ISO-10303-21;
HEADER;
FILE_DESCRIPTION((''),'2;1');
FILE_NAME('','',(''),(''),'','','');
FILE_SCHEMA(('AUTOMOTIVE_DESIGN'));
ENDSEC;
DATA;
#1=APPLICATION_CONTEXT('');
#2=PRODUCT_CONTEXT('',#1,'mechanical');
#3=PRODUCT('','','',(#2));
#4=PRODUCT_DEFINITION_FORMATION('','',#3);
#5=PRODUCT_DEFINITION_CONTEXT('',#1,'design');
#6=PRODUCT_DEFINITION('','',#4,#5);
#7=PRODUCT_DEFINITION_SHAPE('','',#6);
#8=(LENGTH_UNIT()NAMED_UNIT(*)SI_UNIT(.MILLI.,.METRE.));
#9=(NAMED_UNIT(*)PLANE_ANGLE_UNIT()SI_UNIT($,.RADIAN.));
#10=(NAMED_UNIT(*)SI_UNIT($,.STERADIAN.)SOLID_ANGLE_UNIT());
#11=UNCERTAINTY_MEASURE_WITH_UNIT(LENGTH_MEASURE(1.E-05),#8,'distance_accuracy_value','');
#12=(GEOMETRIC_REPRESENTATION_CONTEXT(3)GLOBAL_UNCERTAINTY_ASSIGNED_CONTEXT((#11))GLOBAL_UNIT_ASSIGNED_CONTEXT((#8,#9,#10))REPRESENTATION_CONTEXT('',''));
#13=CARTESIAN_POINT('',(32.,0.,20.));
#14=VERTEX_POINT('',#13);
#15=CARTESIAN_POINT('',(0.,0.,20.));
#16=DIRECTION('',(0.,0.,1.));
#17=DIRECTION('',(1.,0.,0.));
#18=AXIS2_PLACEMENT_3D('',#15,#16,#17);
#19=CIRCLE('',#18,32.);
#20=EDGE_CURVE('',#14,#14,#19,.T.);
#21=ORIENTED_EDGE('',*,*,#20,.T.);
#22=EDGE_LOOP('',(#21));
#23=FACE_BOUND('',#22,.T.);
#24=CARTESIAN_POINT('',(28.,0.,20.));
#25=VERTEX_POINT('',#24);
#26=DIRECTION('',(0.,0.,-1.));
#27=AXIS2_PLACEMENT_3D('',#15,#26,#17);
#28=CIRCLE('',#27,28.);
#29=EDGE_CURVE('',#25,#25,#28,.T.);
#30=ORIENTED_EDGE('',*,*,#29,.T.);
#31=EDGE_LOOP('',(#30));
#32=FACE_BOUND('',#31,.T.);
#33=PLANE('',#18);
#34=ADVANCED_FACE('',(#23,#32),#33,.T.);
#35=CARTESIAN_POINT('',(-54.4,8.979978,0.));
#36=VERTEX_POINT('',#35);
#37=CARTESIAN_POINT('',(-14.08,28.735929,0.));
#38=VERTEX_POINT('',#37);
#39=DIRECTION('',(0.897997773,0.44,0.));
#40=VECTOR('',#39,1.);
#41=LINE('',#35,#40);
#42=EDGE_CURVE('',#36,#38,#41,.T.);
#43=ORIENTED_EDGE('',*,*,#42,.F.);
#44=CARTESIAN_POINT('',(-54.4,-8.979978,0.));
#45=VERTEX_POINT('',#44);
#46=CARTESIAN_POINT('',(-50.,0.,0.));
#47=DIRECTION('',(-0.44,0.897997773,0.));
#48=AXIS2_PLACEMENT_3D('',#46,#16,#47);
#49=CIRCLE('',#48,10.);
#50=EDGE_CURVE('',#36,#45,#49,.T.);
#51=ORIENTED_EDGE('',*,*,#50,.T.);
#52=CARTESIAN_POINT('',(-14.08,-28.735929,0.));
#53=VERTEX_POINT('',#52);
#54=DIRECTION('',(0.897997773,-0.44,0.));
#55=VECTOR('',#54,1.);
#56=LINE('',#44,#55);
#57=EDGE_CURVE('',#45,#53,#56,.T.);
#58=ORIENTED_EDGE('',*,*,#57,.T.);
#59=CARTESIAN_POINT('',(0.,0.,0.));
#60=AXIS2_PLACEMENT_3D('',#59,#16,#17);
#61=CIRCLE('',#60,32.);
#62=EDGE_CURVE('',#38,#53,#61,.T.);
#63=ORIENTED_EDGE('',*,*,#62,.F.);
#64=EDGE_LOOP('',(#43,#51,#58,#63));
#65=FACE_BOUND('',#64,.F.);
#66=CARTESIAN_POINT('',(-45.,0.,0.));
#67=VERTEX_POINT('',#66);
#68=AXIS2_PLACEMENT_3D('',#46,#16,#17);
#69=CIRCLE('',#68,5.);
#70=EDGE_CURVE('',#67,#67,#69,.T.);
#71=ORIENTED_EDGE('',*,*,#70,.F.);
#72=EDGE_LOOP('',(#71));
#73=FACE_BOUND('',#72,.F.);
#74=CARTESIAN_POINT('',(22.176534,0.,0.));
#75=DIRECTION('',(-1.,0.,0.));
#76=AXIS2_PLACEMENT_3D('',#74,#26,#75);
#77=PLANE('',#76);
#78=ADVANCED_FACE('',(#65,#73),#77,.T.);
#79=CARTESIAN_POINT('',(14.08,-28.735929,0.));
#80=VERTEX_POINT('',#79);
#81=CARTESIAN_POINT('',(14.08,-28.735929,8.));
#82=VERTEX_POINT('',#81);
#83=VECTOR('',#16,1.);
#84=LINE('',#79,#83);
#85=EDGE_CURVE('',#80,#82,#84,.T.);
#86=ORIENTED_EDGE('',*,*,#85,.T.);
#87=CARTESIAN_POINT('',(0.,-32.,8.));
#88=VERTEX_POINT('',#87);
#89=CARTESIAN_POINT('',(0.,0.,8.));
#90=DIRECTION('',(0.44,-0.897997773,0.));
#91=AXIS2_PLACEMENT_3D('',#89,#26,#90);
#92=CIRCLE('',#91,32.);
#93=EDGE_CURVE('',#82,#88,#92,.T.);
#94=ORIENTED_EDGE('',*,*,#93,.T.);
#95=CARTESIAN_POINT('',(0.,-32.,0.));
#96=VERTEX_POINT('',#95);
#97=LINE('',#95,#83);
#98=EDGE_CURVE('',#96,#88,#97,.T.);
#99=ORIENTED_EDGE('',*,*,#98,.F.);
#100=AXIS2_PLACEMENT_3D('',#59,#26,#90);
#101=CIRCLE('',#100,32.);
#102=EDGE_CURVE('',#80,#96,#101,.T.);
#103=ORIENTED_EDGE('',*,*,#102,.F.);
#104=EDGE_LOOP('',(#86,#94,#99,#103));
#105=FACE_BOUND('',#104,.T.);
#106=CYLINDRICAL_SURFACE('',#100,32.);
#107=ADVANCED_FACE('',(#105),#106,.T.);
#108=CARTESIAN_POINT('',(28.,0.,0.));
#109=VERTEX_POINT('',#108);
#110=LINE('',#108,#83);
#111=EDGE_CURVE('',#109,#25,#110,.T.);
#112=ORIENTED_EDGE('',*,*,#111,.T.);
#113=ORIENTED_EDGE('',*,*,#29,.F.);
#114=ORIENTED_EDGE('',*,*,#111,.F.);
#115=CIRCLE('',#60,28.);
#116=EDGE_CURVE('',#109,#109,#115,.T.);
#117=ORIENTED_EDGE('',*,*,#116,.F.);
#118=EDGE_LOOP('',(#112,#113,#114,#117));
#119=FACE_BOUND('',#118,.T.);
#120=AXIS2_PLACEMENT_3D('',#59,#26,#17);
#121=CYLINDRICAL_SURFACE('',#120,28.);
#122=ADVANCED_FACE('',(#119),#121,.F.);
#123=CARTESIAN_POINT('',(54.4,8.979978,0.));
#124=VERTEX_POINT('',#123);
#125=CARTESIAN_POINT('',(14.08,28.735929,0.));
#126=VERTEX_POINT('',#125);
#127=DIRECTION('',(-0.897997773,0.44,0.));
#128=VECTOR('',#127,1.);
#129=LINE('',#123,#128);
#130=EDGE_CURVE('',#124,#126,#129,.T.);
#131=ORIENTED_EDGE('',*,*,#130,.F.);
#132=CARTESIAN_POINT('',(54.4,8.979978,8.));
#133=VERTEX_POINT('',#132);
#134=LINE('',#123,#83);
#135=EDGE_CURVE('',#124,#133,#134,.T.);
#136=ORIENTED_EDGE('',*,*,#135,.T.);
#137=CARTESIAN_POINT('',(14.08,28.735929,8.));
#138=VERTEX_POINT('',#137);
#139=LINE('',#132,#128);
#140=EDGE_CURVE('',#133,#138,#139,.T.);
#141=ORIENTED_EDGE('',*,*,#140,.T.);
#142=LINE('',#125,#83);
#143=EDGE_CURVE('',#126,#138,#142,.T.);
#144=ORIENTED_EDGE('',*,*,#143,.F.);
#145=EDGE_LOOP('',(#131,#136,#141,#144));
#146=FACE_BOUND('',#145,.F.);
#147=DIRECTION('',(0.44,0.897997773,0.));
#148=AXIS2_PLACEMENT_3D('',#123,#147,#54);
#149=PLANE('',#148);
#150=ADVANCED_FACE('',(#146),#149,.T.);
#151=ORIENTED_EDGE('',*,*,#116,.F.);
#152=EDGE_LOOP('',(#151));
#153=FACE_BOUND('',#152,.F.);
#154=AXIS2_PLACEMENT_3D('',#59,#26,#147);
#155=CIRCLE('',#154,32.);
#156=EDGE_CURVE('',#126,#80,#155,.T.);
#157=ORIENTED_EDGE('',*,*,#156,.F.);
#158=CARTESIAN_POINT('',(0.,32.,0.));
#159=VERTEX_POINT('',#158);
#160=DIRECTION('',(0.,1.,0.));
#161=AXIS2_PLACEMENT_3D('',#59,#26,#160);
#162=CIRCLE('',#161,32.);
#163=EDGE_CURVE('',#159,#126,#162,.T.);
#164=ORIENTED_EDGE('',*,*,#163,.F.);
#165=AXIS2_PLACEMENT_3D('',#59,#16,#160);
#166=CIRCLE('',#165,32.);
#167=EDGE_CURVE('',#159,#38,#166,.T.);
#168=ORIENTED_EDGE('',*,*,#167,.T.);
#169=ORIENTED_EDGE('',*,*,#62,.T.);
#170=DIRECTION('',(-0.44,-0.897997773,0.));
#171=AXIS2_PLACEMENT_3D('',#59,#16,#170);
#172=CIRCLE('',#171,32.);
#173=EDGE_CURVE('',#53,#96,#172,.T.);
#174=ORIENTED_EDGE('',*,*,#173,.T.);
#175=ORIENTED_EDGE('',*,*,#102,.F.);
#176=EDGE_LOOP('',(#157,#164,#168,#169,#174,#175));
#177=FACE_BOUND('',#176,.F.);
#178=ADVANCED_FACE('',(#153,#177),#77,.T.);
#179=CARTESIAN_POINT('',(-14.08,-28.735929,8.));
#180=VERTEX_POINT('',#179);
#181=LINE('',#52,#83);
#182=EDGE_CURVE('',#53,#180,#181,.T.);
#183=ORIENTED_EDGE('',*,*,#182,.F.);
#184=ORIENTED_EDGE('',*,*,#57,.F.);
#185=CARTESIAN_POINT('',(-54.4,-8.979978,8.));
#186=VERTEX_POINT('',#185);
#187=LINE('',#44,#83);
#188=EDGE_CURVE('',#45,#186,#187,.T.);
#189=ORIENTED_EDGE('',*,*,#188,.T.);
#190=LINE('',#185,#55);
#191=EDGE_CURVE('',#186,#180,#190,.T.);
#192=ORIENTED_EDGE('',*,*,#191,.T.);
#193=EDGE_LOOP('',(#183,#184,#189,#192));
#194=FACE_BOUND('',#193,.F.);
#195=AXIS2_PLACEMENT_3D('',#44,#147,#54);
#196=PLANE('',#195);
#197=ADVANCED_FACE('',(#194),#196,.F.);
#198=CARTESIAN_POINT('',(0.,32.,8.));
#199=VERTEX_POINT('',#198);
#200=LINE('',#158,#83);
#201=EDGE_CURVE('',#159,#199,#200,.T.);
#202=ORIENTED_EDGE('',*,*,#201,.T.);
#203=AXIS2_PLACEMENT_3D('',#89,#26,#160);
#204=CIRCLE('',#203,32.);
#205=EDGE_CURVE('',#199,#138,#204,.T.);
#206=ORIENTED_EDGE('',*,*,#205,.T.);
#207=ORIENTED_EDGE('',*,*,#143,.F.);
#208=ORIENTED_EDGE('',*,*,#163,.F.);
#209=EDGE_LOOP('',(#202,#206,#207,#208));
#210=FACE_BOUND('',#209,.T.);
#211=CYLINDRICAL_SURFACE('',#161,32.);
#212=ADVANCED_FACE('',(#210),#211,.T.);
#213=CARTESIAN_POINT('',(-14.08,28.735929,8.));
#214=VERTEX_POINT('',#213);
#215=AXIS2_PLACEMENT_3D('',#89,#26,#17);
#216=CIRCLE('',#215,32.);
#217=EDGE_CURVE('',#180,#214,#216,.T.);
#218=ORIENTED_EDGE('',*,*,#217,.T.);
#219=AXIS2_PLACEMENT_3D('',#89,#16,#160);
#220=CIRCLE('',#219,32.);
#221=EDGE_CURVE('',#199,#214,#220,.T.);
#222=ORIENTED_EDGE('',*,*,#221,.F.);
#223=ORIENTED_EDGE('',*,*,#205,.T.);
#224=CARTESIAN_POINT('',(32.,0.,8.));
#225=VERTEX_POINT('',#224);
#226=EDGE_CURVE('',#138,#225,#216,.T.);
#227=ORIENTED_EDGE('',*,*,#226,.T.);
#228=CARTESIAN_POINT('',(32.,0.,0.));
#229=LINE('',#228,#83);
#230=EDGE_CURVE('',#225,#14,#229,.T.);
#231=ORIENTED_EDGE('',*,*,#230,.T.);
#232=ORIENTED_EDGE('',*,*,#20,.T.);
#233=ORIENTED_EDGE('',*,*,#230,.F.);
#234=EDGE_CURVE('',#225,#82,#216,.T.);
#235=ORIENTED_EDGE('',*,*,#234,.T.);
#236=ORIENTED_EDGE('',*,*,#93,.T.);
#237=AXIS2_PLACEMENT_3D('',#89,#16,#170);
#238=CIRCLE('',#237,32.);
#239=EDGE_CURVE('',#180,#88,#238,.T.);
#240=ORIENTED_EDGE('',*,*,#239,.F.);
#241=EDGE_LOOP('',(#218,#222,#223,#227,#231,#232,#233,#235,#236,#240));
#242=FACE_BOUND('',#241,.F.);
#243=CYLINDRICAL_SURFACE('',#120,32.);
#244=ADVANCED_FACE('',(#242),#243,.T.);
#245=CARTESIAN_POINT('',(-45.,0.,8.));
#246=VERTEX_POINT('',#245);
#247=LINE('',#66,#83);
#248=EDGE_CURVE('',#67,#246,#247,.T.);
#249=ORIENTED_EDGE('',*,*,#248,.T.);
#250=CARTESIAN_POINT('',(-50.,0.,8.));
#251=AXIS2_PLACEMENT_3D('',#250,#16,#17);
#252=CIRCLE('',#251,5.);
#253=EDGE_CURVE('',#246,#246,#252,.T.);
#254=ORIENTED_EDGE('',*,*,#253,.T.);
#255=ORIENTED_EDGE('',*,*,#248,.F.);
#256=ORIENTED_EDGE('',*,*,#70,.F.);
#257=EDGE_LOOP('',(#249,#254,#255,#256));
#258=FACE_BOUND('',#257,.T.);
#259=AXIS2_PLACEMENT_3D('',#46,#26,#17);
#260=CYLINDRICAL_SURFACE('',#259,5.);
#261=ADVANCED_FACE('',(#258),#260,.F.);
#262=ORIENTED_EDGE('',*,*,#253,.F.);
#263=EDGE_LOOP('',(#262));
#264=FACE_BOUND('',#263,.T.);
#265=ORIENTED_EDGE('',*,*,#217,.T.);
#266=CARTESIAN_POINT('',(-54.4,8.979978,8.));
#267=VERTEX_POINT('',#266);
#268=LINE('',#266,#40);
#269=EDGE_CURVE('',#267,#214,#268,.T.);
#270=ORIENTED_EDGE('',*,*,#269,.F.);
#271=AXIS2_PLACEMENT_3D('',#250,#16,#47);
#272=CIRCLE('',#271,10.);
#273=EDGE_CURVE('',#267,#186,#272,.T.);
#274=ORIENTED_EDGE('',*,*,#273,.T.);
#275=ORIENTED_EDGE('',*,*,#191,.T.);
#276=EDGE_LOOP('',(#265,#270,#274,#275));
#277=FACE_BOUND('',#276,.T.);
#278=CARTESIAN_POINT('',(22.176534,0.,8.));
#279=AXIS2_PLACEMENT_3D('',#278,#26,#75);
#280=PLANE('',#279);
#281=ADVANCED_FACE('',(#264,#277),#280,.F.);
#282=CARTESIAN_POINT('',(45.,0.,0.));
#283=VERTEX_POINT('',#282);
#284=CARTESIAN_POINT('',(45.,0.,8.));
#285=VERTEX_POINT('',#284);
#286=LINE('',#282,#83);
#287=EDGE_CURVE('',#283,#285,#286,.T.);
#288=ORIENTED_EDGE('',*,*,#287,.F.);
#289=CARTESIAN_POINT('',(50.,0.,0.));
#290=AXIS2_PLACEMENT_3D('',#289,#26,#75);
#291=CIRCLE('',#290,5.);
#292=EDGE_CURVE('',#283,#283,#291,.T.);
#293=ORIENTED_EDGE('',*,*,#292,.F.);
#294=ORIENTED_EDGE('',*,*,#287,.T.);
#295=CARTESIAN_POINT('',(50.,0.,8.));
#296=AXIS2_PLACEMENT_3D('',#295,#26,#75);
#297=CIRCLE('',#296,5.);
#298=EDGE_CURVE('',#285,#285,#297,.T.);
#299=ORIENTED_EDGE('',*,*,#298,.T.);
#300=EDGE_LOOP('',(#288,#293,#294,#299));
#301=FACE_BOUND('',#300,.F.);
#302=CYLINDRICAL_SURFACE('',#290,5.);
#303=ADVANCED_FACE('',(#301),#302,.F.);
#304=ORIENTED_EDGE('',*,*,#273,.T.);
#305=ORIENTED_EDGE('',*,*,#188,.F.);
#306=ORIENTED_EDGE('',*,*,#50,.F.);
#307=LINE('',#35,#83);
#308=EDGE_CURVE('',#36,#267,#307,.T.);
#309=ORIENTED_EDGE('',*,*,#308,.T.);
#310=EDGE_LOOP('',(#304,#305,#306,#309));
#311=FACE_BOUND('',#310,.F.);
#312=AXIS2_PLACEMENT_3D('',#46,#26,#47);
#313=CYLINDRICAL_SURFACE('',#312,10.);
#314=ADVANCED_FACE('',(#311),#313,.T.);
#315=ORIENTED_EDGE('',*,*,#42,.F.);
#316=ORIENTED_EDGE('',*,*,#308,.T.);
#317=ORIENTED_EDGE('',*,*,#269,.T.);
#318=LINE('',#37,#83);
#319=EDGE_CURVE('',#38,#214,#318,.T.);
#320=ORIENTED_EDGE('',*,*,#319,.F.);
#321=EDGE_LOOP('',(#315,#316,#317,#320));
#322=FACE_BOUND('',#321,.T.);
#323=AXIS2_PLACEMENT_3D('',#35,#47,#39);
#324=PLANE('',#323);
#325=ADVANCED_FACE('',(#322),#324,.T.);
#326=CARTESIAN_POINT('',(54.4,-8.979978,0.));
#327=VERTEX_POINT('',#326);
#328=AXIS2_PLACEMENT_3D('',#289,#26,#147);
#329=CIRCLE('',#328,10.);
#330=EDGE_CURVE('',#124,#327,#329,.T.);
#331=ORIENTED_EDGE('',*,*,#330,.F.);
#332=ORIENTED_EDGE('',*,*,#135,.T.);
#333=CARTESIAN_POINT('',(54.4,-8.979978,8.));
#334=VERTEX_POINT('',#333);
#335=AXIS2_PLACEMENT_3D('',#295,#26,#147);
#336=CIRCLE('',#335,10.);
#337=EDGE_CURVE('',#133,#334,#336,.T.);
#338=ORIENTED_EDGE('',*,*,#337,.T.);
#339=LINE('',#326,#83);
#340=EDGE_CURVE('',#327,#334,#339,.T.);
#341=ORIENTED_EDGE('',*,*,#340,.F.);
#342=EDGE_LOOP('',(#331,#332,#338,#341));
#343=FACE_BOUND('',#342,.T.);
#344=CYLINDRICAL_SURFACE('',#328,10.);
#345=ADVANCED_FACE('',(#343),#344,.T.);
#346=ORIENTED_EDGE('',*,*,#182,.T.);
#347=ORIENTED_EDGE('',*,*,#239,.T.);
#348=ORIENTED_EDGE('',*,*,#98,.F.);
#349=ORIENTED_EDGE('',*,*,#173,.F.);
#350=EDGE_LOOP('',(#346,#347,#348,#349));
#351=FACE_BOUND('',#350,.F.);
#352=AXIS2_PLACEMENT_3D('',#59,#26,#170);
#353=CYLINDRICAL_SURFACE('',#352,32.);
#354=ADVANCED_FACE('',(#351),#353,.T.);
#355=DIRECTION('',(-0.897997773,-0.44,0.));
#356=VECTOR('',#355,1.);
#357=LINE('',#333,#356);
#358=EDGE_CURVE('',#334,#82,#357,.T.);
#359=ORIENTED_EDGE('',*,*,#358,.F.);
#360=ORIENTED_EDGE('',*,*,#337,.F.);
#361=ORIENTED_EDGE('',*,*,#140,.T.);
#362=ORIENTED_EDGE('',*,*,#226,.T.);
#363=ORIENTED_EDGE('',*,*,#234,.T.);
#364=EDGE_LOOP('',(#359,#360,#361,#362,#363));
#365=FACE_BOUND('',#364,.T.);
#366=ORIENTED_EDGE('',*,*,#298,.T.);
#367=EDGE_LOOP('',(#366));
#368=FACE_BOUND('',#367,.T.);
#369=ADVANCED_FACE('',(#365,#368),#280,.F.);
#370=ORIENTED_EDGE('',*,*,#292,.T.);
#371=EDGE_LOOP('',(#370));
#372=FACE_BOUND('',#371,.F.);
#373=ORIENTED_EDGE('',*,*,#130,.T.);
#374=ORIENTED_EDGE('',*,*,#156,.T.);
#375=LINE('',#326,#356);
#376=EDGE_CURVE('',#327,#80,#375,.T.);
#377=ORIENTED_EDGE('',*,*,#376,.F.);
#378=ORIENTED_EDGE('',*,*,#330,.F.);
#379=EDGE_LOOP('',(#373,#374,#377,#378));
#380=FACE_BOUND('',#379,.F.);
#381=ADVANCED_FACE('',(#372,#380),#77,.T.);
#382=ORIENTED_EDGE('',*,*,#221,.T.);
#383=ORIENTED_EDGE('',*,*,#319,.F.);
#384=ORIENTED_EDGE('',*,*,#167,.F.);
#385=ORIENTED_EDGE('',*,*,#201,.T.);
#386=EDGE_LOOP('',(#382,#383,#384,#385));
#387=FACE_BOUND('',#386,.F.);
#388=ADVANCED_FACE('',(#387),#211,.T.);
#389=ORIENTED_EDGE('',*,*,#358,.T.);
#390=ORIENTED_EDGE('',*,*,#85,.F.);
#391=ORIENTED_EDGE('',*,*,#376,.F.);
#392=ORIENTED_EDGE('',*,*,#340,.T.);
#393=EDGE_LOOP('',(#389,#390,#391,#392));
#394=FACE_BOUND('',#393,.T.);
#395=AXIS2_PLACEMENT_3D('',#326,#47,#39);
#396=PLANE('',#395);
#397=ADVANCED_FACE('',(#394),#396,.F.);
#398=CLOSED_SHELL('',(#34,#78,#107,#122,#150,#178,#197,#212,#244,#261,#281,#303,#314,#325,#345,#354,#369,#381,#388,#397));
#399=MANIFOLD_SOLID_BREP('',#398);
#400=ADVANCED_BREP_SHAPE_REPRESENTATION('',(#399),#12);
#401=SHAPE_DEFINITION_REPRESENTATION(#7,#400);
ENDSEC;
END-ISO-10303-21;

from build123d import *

# Parameters (mm, degrees)
SKETCH_R     = 5
PAD_DEPTH    = 8
SKETCH001_R  = 32
PAD001_DEPTH = 20
SKETCH002_R  = 28
POCKET_DEPTH = 20.0010001


with BuildPart() as part:
    # Sketch → Pad (new body)
    with BuildSketch(Plane.XY):
        with BuildLine():
            Line((-54.4, 8.9799777283), (-14.08, 28.7359287304))
            ThreePointArc((0, 32), (-7.2266963623, 31.1733036377), (-14.08, 28.7359287304))
            Line((0, -32), (0, 32))
            ThreePointArc((-14.08, -28.7359287304), (-7.2266963623, -31.1733036377), (0, -32))
            Line((-54.4, -8.9799777283), (-14.08, -28.7359287304))
            ThreePointArc((-54.4, 8.9799777283), (-60, 0), (-54.4, -8.9799777283))
        make_face()
        with Locations((-50, 0)):
            Circle(SKETCH_R, mode=Mode.SUBTRACT)
    pad = extrude(amount=PAD_DEPTH)

    # Mirrored: Pad across Sketch V_Axis
    add(pad.mirror(Plane(origin=(0, 0, 0), x_dir=(0, 0, 1), z_dir=(1, 0, 0))))

    # Sketch001 → Pad001 (join)
    with BuildSketch(Plane.XY):
        Circle(SKETCH001_R)
    extrude(amount=PAD001_DEPTH)

    # Sketch002 → Pocket (cut, through all)
    with BuildSketch(Plane.XY):
        Circle(SKETCH002_R)
    extrude(amount=POCKET_DEPTH, mode=Mode.SUBTRACT)


solid = part.part
